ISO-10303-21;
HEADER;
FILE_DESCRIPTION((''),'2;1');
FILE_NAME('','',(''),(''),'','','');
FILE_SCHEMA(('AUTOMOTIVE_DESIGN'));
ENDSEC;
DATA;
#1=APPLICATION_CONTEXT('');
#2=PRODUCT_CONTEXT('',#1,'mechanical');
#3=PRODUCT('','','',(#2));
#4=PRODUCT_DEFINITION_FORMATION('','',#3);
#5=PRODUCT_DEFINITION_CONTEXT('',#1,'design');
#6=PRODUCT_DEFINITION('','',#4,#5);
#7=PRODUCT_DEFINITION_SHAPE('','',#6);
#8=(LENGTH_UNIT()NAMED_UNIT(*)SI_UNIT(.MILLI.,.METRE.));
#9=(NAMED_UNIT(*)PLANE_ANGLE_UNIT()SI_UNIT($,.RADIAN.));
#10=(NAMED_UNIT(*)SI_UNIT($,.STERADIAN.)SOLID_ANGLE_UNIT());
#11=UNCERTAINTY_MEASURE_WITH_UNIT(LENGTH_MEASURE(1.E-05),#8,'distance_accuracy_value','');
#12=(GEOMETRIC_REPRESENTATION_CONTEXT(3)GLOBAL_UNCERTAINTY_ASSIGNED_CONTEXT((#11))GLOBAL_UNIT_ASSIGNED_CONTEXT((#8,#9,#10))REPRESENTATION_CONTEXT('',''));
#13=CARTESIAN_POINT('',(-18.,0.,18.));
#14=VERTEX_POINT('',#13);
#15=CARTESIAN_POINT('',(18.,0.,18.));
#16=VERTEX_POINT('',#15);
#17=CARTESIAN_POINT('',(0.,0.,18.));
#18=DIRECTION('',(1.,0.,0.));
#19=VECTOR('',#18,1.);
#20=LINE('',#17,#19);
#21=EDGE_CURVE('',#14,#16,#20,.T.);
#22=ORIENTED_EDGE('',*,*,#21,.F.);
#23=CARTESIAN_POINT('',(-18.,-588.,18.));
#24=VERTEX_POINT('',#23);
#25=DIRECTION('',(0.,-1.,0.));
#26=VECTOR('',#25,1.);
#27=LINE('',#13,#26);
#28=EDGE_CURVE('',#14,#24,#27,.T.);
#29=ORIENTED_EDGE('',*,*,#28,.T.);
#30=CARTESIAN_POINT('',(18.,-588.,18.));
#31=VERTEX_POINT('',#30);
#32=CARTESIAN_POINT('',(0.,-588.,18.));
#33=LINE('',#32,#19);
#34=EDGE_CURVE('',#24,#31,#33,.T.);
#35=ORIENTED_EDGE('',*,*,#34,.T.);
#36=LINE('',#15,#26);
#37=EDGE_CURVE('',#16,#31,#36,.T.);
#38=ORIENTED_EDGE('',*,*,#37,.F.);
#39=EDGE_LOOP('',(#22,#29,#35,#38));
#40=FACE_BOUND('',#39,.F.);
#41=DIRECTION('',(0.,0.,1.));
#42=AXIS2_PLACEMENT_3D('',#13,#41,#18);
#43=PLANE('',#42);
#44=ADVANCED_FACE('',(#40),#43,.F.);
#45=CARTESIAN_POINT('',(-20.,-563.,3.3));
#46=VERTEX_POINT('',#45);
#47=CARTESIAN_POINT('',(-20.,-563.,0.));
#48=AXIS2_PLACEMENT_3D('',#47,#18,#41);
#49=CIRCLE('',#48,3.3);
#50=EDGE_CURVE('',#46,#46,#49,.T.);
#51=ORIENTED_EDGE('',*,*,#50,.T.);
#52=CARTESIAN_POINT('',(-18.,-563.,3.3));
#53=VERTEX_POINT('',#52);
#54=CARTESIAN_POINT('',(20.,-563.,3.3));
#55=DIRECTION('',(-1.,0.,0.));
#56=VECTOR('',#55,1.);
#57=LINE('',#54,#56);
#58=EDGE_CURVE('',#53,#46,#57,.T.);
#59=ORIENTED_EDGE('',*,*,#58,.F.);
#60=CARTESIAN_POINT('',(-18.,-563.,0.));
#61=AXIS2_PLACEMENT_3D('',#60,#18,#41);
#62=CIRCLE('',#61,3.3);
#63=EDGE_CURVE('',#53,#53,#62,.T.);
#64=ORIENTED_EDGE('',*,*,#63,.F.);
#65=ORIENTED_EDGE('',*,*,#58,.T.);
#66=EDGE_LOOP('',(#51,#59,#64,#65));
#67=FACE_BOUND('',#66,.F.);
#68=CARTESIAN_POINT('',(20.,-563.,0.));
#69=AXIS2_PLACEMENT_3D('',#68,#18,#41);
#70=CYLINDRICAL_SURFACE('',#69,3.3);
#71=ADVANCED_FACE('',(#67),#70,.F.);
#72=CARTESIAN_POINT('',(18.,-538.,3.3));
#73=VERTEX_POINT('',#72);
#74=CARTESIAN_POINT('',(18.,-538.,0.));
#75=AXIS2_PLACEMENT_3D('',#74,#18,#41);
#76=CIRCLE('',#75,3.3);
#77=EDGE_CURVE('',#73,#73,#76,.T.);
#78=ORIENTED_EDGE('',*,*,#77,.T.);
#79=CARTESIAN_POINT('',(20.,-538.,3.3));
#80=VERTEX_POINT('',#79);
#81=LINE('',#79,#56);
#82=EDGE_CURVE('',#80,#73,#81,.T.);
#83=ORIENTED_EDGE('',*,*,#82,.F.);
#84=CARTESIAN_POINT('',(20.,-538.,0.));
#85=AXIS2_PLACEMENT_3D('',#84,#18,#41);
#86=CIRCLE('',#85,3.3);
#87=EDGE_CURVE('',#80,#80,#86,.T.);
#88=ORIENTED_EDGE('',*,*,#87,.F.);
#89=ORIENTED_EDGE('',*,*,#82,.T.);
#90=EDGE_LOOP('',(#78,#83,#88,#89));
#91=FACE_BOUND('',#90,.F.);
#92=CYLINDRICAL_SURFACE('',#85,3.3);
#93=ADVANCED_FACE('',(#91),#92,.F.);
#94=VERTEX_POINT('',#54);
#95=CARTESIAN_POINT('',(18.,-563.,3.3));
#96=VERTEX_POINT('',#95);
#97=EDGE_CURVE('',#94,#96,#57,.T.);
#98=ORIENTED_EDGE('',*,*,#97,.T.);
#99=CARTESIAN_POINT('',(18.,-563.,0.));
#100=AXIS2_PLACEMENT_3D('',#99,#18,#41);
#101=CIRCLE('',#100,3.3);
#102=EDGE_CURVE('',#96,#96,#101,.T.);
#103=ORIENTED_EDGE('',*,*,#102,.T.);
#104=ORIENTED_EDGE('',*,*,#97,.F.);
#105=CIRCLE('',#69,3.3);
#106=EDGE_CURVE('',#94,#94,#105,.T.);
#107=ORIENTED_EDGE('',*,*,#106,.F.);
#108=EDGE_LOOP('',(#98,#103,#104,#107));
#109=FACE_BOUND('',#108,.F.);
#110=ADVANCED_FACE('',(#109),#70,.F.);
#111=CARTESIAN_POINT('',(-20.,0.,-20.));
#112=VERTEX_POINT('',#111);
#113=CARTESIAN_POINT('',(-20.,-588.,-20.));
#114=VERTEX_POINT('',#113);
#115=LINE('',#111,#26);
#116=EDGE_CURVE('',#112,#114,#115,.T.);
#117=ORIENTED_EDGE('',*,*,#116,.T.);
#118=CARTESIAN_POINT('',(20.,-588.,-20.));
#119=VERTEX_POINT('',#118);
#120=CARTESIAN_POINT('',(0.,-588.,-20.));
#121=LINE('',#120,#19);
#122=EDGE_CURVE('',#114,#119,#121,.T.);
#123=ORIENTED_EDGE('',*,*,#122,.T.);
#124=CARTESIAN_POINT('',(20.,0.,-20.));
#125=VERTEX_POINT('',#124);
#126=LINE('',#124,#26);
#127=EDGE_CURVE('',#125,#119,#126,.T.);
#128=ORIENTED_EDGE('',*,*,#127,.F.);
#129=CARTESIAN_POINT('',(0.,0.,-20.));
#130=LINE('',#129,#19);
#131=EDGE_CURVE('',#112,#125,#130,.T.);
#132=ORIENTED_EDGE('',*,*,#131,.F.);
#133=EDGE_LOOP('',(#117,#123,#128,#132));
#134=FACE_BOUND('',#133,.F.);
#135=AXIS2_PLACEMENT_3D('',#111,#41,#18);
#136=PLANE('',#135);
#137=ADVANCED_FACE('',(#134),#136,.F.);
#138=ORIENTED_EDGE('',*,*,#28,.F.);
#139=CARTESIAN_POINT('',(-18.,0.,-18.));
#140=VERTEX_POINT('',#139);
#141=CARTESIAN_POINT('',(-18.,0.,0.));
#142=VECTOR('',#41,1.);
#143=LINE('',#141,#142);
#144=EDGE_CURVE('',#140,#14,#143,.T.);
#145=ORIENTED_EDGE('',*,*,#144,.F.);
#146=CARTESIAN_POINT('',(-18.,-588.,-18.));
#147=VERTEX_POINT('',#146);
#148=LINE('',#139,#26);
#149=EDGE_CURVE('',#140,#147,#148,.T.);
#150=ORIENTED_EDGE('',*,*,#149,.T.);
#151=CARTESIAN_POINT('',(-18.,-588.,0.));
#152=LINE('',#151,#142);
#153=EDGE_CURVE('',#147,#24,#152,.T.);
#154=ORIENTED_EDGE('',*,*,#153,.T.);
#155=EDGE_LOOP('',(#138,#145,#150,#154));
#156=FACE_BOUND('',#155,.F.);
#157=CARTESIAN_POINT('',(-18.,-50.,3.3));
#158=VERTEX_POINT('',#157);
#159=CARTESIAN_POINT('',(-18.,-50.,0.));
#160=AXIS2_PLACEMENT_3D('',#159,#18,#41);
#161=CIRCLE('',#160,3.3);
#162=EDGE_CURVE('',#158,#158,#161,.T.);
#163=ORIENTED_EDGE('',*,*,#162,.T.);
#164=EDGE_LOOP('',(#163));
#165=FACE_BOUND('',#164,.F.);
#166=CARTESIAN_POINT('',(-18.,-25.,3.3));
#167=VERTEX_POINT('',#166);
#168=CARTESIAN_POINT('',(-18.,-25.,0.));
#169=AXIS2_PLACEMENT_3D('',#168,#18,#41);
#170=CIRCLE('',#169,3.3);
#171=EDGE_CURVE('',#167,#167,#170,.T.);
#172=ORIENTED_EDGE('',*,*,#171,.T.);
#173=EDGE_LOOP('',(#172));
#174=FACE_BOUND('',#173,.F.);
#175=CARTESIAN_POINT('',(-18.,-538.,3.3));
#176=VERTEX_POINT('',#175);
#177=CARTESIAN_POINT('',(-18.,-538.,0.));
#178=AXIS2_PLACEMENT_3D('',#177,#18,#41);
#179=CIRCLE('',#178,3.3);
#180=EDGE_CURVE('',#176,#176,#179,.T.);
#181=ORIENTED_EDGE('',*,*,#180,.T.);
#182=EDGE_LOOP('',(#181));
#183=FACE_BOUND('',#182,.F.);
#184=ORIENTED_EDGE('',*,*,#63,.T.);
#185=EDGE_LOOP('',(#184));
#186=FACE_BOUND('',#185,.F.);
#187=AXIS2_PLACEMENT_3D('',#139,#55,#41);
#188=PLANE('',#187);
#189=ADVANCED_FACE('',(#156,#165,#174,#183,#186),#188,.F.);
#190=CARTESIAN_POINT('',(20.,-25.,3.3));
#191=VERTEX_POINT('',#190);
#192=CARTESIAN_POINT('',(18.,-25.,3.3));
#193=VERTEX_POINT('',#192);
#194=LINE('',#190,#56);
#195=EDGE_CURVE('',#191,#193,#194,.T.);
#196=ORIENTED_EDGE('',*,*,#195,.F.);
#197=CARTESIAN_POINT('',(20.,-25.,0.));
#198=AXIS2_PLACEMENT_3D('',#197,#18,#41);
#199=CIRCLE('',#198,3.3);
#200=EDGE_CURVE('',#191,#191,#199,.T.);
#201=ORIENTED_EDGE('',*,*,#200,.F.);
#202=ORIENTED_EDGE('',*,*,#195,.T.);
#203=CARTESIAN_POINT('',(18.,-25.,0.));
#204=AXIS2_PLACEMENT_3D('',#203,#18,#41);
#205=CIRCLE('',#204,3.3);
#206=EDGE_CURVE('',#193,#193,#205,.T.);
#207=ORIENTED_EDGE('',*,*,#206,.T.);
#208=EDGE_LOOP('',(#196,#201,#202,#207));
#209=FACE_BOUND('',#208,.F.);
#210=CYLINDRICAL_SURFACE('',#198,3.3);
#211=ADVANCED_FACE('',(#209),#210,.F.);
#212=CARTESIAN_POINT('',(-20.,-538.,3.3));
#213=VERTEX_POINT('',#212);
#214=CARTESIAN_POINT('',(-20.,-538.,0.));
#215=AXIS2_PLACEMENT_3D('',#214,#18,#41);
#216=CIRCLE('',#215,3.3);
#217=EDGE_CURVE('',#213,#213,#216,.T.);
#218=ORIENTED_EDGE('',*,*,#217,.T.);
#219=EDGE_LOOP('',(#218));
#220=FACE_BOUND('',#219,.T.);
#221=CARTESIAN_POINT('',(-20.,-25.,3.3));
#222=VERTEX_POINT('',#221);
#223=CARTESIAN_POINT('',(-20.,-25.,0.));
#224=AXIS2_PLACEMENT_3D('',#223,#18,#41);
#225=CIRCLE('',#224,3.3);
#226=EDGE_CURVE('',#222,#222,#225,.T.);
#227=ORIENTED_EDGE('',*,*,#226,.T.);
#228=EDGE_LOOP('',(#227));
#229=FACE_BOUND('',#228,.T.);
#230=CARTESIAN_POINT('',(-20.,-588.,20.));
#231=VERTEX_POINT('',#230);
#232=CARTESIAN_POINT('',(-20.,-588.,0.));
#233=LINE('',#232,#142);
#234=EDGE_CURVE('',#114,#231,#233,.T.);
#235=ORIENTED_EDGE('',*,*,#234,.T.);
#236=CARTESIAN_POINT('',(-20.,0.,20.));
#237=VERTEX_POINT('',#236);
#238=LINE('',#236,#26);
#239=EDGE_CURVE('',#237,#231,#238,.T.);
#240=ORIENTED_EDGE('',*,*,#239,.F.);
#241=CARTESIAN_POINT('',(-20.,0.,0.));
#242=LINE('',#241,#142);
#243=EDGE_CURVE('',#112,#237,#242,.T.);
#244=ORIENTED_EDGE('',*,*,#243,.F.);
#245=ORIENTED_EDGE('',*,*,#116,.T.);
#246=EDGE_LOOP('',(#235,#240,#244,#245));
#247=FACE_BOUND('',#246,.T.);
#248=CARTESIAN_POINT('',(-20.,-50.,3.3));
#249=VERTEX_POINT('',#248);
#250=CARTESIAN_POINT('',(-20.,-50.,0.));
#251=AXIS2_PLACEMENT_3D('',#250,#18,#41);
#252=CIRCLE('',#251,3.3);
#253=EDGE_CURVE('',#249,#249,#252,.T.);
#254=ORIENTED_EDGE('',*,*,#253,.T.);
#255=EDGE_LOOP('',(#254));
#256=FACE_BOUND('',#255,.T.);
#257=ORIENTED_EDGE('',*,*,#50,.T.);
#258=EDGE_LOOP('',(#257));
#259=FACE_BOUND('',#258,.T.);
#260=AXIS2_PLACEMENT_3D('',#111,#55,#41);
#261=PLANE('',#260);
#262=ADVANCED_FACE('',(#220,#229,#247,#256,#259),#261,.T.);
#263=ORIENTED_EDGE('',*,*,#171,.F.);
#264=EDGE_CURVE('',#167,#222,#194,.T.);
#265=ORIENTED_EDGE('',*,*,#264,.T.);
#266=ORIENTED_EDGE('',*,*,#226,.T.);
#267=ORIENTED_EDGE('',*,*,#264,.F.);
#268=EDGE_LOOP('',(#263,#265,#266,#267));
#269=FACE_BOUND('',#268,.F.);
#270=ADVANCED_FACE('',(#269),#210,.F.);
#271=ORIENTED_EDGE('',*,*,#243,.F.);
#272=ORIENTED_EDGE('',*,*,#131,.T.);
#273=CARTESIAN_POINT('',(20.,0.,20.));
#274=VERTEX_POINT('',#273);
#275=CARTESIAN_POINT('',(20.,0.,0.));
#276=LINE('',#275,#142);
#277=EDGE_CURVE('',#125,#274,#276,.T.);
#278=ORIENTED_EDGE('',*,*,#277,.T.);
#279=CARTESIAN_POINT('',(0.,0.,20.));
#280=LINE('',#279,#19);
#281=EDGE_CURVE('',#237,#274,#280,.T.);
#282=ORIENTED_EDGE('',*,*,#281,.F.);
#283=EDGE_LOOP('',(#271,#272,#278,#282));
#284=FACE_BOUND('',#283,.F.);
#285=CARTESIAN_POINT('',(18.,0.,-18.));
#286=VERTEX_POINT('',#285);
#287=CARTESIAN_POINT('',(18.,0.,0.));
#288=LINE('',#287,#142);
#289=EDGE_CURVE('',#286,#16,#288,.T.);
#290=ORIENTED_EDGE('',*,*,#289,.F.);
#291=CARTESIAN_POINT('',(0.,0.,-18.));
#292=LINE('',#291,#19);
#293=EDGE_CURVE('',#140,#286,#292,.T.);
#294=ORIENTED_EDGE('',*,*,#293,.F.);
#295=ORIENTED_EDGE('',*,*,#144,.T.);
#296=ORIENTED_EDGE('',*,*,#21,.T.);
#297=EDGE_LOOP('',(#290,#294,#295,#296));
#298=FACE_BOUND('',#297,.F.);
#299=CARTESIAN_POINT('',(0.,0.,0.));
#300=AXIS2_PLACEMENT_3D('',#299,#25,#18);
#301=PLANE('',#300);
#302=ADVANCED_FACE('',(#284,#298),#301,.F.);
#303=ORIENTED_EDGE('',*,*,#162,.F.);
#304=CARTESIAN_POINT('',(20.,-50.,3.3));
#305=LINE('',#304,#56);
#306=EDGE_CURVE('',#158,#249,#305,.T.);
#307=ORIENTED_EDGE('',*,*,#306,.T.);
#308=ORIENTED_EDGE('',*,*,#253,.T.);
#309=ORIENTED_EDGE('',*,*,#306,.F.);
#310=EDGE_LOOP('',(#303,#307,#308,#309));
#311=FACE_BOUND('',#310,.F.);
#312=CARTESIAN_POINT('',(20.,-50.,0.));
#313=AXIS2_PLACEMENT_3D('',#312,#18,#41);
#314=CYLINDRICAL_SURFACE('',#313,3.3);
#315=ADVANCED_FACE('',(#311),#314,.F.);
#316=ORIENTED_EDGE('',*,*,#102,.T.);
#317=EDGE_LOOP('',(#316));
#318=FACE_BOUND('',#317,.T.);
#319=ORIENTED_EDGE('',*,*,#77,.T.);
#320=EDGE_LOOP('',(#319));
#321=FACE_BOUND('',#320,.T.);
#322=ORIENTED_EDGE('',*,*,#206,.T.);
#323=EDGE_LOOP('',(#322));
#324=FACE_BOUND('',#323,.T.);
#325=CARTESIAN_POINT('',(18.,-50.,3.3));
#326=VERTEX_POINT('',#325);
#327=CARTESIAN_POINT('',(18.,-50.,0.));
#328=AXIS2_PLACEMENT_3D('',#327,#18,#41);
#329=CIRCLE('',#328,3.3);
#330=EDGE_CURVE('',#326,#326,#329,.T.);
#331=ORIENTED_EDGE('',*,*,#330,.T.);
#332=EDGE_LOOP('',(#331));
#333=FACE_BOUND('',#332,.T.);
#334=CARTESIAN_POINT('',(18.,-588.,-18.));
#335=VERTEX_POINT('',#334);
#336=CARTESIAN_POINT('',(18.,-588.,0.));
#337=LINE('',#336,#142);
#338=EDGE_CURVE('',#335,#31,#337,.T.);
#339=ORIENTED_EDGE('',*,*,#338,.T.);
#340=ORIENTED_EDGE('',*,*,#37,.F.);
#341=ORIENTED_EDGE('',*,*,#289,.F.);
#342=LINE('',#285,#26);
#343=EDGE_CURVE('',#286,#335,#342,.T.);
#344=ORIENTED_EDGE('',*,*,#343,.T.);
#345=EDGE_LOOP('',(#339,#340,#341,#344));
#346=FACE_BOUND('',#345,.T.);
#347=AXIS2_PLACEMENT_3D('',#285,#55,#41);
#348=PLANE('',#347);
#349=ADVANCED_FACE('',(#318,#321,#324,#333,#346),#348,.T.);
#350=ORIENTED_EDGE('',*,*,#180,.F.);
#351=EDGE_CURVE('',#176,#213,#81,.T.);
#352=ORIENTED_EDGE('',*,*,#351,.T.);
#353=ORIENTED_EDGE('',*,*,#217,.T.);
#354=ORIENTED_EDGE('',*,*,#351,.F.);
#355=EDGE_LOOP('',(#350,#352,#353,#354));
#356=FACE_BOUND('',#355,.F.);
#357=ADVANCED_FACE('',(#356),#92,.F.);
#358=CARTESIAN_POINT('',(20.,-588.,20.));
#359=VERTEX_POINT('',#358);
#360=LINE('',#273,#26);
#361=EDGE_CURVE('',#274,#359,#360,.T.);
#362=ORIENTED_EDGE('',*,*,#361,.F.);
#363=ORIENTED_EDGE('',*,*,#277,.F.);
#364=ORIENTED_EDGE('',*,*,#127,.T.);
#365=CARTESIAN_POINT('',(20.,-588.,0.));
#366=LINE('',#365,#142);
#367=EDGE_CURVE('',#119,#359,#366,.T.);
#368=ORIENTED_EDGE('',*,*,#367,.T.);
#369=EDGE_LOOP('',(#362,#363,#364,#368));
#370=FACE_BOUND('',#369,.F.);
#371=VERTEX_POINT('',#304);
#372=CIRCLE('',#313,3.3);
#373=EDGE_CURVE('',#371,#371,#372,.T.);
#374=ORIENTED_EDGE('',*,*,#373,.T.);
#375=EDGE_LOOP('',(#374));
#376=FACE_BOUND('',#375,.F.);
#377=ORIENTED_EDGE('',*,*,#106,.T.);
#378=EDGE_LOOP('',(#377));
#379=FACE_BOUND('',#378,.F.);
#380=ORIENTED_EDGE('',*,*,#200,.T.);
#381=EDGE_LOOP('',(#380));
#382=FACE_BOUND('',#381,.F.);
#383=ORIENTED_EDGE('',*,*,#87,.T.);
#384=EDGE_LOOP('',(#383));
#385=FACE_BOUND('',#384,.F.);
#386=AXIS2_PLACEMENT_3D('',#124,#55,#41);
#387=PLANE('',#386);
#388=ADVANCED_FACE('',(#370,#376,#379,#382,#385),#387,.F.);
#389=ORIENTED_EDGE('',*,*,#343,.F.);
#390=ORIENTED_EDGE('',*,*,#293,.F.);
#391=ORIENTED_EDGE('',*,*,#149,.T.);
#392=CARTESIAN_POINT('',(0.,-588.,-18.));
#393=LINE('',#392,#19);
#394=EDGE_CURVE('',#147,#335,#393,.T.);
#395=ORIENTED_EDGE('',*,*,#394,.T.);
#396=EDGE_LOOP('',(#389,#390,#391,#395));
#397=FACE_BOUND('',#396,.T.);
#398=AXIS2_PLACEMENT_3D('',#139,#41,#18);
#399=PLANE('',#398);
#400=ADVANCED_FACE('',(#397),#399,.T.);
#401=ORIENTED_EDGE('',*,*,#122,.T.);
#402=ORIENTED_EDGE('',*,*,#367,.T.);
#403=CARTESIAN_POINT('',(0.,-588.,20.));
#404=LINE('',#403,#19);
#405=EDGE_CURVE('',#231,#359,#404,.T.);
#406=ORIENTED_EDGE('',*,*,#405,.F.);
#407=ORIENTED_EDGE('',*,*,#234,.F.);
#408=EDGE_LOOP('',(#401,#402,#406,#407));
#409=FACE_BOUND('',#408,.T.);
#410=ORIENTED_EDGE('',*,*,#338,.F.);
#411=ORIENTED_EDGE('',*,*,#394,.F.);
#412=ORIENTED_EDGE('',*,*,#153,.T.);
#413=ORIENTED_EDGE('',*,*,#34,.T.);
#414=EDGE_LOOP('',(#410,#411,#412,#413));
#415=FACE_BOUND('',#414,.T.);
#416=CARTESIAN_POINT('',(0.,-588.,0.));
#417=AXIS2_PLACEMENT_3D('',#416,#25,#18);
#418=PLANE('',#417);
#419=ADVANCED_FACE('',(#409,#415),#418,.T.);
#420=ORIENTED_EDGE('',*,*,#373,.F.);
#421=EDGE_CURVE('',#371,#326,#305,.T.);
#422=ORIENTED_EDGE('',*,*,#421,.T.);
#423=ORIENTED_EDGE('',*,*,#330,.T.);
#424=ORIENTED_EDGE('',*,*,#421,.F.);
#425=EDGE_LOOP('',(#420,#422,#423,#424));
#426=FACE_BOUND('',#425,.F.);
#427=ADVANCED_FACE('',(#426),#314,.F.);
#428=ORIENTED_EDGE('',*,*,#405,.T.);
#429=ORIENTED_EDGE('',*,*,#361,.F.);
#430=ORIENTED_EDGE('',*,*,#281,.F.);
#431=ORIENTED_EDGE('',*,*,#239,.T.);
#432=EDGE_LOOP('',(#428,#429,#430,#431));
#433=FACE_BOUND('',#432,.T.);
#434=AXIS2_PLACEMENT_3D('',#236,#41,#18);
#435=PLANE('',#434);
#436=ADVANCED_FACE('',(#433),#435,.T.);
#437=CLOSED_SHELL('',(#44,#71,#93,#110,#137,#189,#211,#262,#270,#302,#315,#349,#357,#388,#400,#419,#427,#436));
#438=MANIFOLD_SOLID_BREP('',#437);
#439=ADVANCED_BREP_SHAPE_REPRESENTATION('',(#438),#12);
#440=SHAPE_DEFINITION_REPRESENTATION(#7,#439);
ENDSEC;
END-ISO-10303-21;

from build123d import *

# Parameters (mm, degrees)
SKETCH_W    = 40
SKETCH_H    = 40
SKETCH_W_2  = 36
SKETCH_H_2  = 36
PAD_DEPTH   = 588
SKETCH001_R = 3.3
HOLE_DEPTH  = 40.001


with BuildPart() as part:
    # Sketch → Pad (new body)
    with BuildSketch(Plane.XZ):
        Rectangle(SKETCH_W, SKETCH_H)
        Rectangle(SKETCH_W_2, SKETCH_H_2, mode=Mode.SUBTRACT)
    extrude(amount=PAD_DEPTH)

    # Sketch001 → Hole (cut, through all)
    with BuildSketch(Plane(origin=(20, 0, 0), x_dir=(0, 0, 1), z_dir=(1, 0, 0))):
        with Locations((0, 25)):
            Circle(SKETCH001_R)
        with Locations((0, 563)):
            Circle(SKETCH001_R)
        with Locations((0, 50)):
            Circle(SKETCH001_R)
        with Locations((0, 538)):
            Circle(SKETCH001_R)
    extrude(amount=-HOLE_DEPTH, mode=Mode.SUBTRACT)


solid = part.part
